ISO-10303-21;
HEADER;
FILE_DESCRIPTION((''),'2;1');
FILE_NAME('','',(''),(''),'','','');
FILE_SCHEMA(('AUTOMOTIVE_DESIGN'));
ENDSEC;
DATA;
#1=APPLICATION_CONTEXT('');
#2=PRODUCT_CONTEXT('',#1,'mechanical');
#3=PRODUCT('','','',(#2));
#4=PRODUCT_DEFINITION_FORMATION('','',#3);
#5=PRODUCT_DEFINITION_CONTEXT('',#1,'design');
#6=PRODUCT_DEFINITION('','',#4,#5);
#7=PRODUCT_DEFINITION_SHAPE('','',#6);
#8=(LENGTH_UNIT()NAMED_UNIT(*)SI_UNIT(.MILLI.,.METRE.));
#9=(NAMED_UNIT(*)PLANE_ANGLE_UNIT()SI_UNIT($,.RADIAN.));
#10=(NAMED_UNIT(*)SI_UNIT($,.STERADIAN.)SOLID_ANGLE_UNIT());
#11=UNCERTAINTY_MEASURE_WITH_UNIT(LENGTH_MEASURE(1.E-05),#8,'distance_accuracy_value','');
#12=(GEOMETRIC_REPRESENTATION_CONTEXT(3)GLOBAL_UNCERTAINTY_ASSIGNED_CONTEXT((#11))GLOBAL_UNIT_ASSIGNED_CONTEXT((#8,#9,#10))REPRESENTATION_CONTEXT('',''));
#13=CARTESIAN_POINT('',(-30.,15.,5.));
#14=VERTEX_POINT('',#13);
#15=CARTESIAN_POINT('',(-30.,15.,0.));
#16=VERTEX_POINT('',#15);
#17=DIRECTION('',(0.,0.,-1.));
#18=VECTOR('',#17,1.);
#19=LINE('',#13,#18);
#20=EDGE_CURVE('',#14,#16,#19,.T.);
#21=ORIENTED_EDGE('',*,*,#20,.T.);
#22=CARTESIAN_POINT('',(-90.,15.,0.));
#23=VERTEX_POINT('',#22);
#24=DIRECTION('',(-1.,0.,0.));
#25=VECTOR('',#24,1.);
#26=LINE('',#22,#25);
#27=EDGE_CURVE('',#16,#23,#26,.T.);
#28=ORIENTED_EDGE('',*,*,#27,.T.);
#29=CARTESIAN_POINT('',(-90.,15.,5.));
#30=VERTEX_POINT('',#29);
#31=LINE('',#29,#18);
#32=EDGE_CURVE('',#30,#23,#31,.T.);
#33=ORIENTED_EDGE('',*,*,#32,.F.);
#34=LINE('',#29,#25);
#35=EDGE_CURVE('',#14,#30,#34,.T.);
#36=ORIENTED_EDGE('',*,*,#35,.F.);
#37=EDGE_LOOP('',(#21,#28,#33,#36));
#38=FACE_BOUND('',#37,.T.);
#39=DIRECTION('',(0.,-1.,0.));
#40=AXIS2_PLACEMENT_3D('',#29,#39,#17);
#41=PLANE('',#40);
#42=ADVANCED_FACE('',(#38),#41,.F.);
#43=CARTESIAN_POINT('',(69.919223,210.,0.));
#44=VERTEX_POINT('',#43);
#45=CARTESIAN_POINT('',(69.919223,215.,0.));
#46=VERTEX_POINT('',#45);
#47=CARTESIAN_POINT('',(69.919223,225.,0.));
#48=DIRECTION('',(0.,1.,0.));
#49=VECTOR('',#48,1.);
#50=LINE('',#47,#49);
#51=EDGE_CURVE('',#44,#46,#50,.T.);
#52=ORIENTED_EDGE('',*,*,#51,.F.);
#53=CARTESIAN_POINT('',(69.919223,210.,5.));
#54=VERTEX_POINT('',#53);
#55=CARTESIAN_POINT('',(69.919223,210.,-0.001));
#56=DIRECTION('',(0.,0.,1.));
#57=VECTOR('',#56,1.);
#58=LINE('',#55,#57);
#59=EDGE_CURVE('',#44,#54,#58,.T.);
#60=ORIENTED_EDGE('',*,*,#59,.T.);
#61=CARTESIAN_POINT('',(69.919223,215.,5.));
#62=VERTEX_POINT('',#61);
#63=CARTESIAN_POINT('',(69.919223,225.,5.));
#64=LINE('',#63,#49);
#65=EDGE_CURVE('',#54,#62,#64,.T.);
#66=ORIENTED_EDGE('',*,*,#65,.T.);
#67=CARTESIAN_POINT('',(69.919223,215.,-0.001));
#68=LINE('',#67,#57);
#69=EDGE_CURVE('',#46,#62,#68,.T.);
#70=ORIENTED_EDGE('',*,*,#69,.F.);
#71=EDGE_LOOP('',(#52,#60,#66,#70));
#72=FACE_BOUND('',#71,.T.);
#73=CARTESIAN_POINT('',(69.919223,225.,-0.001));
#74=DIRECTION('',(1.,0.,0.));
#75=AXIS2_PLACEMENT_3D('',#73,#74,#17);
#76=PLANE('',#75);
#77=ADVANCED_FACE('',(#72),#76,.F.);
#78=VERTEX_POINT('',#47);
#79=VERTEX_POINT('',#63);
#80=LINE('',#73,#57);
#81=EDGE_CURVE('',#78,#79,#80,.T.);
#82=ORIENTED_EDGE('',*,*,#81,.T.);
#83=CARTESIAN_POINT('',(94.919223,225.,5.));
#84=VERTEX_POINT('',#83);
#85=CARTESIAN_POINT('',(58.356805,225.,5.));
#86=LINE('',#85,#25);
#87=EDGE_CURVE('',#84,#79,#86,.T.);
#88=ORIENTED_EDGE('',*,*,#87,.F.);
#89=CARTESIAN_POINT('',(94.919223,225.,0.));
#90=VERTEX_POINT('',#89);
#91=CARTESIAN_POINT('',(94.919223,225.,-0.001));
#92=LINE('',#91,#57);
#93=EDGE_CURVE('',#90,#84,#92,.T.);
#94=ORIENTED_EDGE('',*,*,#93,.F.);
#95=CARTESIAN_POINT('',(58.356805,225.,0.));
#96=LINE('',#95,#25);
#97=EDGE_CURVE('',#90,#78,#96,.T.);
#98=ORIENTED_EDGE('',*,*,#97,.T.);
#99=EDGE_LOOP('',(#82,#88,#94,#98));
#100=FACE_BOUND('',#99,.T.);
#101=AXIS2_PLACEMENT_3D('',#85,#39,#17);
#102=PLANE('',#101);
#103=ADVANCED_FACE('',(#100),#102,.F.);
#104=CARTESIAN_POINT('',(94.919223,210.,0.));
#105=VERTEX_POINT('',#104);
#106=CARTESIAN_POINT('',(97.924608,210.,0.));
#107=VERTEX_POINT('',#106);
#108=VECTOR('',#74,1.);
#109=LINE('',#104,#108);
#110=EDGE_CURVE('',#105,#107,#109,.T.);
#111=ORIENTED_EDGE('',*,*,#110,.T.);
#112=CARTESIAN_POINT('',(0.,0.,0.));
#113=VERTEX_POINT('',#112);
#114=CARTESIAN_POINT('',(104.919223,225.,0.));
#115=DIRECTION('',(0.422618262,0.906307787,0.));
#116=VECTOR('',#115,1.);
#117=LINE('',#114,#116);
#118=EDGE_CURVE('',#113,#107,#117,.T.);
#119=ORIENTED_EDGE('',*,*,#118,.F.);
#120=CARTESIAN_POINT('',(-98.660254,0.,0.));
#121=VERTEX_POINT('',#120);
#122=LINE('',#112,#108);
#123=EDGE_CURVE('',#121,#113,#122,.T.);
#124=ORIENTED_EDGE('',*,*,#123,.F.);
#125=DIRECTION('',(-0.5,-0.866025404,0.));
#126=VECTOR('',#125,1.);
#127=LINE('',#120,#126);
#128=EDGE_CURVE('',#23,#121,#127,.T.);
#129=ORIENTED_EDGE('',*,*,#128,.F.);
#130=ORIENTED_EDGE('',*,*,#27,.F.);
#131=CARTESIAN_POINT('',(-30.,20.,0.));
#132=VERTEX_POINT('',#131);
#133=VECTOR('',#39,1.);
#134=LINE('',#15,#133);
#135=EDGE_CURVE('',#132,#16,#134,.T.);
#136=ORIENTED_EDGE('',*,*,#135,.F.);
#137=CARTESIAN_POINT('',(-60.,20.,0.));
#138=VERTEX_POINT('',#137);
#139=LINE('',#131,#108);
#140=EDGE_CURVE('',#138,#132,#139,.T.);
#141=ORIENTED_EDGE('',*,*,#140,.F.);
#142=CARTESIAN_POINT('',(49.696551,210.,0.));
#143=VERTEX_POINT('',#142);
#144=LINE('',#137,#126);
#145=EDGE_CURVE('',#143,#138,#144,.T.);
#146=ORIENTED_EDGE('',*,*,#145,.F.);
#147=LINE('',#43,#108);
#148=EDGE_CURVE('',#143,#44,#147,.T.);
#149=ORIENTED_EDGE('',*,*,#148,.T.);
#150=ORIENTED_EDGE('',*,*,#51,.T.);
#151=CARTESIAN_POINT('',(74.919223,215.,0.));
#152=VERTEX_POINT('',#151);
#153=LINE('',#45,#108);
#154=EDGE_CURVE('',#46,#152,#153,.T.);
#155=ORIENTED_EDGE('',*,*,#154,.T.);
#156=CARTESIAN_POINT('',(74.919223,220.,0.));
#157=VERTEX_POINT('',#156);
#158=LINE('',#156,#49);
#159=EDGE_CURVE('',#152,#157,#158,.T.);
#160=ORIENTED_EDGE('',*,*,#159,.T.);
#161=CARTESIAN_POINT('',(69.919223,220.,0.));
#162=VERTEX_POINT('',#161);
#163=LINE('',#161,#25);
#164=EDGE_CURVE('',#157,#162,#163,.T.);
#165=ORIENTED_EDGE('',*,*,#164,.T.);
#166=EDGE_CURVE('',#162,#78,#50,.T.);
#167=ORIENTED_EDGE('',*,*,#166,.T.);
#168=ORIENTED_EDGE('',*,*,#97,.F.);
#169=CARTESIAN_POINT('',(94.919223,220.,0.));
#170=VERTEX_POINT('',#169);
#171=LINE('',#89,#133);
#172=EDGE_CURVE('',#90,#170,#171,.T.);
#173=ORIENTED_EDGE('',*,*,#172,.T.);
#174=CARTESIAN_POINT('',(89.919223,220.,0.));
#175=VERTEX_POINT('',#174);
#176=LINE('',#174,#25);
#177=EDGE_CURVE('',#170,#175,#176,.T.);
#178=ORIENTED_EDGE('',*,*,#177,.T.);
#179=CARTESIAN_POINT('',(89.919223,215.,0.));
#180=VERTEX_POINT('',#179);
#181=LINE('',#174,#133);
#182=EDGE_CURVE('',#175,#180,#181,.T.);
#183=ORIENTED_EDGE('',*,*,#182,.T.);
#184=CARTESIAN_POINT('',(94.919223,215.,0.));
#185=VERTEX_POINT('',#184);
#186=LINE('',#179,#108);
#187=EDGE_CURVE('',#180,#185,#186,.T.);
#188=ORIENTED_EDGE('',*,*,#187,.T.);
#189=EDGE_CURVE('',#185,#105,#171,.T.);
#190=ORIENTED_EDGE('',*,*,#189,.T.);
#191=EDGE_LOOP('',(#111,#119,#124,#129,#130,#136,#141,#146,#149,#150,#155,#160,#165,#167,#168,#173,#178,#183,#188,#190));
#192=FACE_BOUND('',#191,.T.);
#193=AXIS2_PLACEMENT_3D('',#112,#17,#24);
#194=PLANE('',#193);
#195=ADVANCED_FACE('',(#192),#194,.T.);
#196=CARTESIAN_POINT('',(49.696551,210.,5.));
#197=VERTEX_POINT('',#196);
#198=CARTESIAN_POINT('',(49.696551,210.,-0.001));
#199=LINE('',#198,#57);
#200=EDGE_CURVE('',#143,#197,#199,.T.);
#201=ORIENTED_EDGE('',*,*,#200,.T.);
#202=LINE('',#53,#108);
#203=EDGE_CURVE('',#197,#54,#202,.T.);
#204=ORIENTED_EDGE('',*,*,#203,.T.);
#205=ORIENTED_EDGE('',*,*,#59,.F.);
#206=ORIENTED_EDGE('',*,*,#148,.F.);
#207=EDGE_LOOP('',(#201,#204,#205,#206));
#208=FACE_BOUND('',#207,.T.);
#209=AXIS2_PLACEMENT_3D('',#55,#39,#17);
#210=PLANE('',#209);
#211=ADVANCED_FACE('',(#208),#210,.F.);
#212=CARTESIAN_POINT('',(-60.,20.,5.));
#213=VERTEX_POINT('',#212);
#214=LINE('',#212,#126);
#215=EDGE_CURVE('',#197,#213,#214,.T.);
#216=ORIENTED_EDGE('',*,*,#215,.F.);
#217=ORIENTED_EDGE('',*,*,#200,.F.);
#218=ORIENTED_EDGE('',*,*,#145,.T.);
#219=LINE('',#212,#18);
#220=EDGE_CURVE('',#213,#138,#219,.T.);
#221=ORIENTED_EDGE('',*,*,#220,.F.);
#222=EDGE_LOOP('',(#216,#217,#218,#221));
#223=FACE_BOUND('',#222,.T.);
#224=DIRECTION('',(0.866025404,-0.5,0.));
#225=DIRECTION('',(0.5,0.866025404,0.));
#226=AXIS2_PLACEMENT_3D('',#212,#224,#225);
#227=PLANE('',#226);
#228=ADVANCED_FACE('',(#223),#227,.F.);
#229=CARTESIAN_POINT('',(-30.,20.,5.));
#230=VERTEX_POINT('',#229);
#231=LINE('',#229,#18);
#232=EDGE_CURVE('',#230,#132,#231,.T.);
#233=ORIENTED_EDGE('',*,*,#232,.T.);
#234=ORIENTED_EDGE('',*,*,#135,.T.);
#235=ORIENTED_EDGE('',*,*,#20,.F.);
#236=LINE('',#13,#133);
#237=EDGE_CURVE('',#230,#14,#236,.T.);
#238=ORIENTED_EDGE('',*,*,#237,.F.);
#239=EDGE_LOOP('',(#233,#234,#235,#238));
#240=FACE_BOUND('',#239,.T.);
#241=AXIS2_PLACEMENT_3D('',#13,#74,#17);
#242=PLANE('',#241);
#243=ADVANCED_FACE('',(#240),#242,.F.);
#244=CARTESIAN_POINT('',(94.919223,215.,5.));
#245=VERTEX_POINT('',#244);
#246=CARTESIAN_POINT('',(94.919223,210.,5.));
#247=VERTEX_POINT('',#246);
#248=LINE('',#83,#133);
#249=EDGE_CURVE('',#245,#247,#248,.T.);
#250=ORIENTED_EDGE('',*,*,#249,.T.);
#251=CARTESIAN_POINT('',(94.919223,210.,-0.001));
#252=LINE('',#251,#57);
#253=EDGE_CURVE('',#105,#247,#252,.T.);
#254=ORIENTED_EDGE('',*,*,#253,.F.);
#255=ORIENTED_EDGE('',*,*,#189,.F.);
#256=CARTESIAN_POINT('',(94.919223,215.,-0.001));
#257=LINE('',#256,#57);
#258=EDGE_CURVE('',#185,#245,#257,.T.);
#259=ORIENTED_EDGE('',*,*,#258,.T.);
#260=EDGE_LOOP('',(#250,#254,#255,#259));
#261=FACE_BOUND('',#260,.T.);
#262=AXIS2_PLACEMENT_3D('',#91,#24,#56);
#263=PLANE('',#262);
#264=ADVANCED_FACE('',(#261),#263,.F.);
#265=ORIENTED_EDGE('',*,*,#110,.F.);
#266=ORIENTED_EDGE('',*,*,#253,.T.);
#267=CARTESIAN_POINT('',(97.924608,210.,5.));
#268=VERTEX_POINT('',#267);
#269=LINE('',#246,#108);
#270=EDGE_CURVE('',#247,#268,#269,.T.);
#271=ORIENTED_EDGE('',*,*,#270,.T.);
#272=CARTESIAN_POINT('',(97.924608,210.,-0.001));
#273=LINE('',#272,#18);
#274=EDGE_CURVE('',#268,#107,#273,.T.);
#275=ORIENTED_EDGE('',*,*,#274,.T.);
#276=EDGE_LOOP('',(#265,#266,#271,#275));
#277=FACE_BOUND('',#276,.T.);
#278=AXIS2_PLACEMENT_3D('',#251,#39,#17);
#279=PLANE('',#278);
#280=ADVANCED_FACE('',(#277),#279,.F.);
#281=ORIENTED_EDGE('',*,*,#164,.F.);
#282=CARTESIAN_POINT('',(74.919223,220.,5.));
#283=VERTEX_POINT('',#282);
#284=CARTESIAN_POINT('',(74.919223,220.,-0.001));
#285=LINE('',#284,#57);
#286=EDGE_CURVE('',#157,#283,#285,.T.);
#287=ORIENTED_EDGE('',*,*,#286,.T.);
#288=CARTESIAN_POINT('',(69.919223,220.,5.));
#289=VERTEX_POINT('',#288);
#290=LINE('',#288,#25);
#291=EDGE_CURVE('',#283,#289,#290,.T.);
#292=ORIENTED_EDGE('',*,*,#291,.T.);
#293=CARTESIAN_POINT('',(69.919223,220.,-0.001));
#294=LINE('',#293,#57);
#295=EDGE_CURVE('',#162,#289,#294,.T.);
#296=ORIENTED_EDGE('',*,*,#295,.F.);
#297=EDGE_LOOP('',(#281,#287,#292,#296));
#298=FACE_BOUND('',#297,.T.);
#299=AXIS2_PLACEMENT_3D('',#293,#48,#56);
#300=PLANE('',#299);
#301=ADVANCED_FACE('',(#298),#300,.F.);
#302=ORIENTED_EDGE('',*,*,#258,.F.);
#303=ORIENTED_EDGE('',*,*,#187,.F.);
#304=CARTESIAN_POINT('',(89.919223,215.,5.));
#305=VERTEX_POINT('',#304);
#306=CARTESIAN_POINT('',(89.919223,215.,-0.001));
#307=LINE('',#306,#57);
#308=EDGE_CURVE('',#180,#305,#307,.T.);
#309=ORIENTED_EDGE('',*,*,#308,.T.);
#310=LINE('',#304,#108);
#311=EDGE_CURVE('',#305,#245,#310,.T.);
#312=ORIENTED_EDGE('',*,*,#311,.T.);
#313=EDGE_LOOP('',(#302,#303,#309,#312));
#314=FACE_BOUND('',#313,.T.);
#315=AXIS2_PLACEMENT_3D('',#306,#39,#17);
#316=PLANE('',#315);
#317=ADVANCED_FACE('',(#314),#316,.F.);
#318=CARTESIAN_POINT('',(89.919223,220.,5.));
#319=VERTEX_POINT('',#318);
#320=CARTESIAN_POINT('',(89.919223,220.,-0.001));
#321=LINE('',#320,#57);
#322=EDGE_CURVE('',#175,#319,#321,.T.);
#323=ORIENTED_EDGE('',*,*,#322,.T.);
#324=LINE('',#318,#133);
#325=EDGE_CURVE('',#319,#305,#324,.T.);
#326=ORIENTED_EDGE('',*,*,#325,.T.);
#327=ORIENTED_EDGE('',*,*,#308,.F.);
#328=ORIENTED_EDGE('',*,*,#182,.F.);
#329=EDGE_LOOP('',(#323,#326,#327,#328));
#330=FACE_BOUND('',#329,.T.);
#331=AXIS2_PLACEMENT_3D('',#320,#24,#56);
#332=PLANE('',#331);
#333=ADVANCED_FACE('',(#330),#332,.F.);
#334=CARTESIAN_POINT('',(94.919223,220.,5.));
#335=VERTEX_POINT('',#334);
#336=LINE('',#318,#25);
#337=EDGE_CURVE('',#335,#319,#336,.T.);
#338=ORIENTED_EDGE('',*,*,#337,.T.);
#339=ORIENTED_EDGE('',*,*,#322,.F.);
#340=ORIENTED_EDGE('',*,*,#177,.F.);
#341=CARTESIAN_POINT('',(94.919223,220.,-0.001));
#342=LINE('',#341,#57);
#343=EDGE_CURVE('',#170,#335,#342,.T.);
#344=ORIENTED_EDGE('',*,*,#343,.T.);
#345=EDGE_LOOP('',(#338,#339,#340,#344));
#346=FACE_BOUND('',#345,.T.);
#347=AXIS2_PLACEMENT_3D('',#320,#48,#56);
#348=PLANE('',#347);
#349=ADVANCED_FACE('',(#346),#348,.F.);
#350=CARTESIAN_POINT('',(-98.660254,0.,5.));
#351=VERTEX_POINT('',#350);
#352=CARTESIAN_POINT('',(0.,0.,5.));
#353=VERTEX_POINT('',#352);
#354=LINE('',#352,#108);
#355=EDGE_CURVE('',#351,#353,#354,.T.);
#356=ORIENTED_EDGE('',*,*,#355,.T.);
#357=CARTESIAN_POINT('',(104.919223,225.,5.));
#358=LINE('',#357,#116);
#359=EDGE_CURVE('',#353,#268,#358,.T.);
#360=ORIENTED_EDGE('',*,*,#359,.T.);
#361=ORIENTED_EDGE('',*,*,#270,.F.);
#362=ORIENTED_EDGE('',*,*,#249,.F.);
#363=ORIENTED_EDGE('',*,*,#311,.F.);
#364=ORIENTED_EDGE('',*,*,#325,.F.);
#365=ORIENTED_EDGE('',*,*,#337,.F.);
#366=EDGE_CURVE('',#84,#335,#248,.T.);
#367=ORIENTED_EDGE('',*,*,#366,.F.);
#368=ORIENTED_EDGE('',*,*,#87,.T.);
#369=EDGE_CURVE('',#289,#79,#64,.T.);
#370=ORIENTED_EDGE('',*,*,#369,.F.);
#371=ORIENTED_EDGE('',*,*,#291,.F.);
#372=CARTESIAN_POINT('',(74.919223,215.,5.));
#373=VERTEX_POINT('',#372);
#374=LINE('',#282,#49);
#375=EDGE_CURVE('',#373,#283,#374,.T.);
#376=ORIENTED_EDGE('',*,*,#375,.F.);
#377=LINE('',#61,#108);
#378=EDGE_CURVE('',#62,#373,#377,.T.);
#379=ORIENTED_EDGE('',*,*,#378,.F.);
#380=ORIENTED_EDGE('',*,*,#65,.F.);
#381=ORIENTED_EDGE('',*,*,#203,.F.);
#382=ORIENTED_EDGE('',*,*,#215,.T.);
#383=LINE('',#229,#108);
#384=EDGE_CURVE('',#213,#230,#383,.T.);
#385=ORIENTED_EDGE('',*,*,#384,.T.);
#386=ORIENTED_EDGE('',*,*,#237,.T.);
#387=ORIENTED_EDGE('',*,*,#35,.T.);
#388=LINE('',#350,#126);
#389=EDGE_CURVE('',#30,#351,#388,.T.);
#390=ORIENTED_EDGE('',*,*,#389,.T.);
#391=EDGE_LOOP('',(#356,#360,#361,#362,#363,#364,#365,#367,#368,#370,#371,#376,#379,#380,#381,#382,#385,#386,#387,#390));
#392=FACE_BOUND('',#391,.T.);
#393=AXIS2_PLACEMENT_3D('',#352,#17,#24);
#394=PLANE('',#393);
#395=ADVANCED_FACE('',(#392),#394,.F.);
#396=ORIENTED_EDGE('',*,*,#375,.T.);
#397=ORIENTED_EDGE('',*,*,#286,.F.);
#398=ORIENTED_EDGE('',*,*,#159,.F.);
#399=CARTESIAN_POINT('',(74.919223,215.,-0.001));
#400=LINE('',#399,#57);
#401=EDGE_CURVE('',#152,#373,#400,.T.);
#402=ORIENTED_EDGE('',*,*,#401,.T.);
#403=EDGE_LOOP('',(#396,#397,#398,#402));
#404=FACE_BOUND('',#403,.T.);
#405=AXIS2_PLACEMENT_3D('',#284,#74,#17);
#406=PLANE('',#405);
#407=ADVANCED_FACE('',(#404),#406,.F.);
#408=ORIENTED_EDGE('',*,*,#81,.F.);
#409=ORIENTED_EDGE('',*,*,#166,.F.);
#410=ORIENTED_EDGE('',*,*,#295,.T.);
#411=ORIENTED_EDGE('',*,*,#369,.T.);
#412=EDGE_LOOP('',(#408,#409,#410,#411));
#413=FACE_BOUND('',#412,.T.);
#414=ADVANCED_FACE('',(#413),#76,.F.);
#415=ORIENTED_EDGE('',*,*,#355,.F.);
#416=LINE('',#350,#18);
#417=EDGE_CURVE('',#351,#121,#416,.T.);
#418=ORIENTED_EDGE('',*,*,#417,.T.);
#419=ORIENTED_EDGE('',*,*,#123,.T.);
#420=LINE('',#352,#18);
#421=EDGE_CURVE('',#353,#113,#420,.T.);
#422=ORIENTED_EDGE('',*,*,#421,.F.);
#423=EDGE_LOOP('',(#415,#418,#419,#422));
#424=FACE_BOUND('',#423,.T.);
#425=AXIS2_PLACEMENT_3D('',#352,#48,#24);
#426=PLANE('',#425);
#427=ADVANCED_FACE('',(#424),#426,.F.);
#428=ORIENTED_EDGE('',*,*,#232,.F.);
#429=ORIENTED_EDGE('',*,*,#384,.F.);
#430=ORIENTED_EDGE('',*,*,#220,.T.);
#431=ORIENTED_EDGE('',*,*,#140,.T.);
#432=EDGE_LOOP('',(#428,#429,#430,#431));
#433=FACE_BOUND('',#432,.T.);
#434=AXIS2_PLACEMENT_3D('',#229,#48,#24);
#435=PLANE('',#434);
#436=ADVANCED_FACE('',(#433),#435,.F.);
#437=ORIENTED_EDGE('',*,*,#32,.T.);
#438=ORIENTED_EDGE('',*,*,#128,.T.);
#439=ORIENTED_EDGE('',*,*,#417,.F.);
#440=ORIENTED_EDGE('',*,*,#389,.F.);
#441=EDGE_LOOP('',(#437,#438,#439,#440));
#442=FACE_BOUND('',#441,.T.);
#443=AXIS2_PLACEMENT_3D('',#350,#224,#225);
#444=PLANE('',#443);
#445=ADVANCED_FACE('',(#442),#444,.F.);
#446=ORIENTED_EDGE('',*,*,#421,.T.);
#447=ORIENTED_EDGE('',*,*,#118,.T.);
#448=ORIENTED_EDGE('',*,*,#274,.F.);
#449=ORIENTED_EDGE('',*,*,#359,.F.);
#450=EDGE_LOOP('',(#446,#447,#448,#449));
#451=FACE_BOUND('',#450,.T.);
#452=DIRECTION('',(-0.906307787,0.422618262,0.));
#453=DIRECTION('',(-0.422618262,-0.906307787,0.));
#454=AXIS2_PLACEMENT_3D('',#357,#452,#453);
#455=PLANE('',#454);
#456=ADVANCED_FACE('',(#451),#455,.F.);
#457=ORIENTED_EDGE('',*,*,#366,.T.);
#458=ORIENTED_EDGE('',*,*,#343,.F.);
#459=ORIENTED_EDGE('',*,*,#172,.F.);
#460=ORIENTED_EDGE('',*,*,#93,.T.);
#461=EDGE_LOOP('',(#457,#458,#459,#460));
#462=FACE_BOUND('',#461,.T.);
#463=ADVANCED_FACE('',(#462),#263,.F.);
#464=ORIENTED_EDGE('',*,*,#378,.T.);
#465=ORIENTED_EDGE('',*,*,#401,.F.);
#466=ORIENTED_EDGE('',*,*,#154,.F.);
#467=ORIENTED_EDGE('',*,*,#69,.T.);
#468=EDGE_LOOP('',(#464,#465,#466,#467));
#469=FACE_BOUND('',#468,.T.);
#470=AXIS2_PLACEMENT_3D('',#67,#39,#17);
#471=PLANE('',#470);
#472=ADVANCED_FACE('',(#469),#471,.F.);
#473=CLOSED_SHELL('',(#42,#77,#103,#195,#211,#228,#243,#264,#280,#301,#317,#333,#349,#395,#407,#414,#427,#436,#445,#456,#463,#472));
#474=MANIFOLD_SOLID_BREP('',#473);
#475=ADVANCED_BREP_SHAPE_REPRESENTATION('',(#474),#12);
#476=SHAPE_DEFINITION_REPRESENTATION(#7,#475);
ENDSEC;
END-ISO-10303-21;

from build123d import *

# Parameters (mm, degrees)
EXTRUDE_1_DEPTH     = 5
CUT_EXTRUDE_1_REACH = 7
SKETCH_2_W          = 19.790240303
SKETCH_2_H          = 15
SKETCH_2_W_2        = 23.6545041
CUT_EXTRUDE_2_REACH = 7
SKETCH_3_W          = 5
SKETCH_3_H          = 5


with BuildPart() as part:
    # 草图1 → 凸台-拉伸1 (new body)
    with BuildSketch(Plane.XY):
        Polygon((0, 0), (-98.660254038, 0), (-90, 15), (-30, 15), (-30, 20), (-60, 20), (58.356805184, 225), (104.919223085, 225), align=None)
    extrude(amount=EXTRUDE_1_DEPTH)

    # 草图2 → 切除-拉伸1 (cut, up to next)
    with BuildSketch(Plane.XY.offset(5), mode=Mode.PRIVATE) as cut_extrude_1_sk1:
        with Locations((104.814343237, 217.5)):
            Rectangle(SKETCH_2_W, SKETCH_2_H)
    cut_extrude_1_tool1 = extrude(cut_extrude_1_sk1.sketch, amount=-CUT_EXTRUDE_1_REACH, mode=Mode.PRIVATE) & part.part
    add(cut_extrude_1_tool1.solids().sort_by_distance((104.814343, 217.5, 5))[0], mode=Mode.SUBTRACT)
    # 草图2 → 切除-拉伸1 (cut, up to next)
    with BuildSketch(Plane.XY.offset(5), mode=Mode.PRIVATE) as cut_extrude_1_sk2:
        with Locations((58.091971035, 217.5)):
            Rectangle(SKETCH_2_W_2, SKETCH_2_H)
    cut_extrude_1_tool2 = extrude(cut_extrude_1_sk2.sketch, amount=-CUT_EXTRUDE_1_REACH, mode=Mode.PRIVATE) & part.part
    add(cut_extrude_1_tool2.solids().sort_by_distance((58.091971, 217.5, 5))[0], mode=Mode.SUBTRACT)

    # 草图3 → 切除-拉伸2 (cut, up to next)
    with BuildSketch(Plane.XY.offset(5), mode=Mode.PRIVATE) as cut_extrude_2_sk1:
        with Locations((72.419223085, 217.5)):
            Rectangle(SKETCH_3_W, SKETCH_3_H)
    cut_extrude_2_tool1 = extrude(cut_extrude_2_sk1.sketch, amount=-CUT_EXTRUDE_2_REACH, mode=Mode.PRIVATE) & part.part
    add(cut_extrude_2_tool1.solids().sort_by_distance((72.419223, 217.5, 5))[0], mode=Mode.SUBTRACT)
    # 草图3 → 切除-拉伸2 (cut, up to next)
    with BuildSketch(Plane.XY.offset(5), mode=Mode.PRIVATE) as cut_extrude_2_sk2:
        with Locations((92.419223085, 217.5)):
            Rectangle(SKETCH_3_W, SKETCH_3_H)
    cut_extrude_2_tool2 = extrude(cut_extrude_2_sk2.sketch, amount=-CUT_EXTRUDE_2_REACH, mode=Mode.PRIVATE) & part.part
    add(cut_extrude_2_tool2.solids().sort_by_distance((92.419223, 217.5, 5))[0], mode=Mode.SUBTRACT)


solid = part.part
